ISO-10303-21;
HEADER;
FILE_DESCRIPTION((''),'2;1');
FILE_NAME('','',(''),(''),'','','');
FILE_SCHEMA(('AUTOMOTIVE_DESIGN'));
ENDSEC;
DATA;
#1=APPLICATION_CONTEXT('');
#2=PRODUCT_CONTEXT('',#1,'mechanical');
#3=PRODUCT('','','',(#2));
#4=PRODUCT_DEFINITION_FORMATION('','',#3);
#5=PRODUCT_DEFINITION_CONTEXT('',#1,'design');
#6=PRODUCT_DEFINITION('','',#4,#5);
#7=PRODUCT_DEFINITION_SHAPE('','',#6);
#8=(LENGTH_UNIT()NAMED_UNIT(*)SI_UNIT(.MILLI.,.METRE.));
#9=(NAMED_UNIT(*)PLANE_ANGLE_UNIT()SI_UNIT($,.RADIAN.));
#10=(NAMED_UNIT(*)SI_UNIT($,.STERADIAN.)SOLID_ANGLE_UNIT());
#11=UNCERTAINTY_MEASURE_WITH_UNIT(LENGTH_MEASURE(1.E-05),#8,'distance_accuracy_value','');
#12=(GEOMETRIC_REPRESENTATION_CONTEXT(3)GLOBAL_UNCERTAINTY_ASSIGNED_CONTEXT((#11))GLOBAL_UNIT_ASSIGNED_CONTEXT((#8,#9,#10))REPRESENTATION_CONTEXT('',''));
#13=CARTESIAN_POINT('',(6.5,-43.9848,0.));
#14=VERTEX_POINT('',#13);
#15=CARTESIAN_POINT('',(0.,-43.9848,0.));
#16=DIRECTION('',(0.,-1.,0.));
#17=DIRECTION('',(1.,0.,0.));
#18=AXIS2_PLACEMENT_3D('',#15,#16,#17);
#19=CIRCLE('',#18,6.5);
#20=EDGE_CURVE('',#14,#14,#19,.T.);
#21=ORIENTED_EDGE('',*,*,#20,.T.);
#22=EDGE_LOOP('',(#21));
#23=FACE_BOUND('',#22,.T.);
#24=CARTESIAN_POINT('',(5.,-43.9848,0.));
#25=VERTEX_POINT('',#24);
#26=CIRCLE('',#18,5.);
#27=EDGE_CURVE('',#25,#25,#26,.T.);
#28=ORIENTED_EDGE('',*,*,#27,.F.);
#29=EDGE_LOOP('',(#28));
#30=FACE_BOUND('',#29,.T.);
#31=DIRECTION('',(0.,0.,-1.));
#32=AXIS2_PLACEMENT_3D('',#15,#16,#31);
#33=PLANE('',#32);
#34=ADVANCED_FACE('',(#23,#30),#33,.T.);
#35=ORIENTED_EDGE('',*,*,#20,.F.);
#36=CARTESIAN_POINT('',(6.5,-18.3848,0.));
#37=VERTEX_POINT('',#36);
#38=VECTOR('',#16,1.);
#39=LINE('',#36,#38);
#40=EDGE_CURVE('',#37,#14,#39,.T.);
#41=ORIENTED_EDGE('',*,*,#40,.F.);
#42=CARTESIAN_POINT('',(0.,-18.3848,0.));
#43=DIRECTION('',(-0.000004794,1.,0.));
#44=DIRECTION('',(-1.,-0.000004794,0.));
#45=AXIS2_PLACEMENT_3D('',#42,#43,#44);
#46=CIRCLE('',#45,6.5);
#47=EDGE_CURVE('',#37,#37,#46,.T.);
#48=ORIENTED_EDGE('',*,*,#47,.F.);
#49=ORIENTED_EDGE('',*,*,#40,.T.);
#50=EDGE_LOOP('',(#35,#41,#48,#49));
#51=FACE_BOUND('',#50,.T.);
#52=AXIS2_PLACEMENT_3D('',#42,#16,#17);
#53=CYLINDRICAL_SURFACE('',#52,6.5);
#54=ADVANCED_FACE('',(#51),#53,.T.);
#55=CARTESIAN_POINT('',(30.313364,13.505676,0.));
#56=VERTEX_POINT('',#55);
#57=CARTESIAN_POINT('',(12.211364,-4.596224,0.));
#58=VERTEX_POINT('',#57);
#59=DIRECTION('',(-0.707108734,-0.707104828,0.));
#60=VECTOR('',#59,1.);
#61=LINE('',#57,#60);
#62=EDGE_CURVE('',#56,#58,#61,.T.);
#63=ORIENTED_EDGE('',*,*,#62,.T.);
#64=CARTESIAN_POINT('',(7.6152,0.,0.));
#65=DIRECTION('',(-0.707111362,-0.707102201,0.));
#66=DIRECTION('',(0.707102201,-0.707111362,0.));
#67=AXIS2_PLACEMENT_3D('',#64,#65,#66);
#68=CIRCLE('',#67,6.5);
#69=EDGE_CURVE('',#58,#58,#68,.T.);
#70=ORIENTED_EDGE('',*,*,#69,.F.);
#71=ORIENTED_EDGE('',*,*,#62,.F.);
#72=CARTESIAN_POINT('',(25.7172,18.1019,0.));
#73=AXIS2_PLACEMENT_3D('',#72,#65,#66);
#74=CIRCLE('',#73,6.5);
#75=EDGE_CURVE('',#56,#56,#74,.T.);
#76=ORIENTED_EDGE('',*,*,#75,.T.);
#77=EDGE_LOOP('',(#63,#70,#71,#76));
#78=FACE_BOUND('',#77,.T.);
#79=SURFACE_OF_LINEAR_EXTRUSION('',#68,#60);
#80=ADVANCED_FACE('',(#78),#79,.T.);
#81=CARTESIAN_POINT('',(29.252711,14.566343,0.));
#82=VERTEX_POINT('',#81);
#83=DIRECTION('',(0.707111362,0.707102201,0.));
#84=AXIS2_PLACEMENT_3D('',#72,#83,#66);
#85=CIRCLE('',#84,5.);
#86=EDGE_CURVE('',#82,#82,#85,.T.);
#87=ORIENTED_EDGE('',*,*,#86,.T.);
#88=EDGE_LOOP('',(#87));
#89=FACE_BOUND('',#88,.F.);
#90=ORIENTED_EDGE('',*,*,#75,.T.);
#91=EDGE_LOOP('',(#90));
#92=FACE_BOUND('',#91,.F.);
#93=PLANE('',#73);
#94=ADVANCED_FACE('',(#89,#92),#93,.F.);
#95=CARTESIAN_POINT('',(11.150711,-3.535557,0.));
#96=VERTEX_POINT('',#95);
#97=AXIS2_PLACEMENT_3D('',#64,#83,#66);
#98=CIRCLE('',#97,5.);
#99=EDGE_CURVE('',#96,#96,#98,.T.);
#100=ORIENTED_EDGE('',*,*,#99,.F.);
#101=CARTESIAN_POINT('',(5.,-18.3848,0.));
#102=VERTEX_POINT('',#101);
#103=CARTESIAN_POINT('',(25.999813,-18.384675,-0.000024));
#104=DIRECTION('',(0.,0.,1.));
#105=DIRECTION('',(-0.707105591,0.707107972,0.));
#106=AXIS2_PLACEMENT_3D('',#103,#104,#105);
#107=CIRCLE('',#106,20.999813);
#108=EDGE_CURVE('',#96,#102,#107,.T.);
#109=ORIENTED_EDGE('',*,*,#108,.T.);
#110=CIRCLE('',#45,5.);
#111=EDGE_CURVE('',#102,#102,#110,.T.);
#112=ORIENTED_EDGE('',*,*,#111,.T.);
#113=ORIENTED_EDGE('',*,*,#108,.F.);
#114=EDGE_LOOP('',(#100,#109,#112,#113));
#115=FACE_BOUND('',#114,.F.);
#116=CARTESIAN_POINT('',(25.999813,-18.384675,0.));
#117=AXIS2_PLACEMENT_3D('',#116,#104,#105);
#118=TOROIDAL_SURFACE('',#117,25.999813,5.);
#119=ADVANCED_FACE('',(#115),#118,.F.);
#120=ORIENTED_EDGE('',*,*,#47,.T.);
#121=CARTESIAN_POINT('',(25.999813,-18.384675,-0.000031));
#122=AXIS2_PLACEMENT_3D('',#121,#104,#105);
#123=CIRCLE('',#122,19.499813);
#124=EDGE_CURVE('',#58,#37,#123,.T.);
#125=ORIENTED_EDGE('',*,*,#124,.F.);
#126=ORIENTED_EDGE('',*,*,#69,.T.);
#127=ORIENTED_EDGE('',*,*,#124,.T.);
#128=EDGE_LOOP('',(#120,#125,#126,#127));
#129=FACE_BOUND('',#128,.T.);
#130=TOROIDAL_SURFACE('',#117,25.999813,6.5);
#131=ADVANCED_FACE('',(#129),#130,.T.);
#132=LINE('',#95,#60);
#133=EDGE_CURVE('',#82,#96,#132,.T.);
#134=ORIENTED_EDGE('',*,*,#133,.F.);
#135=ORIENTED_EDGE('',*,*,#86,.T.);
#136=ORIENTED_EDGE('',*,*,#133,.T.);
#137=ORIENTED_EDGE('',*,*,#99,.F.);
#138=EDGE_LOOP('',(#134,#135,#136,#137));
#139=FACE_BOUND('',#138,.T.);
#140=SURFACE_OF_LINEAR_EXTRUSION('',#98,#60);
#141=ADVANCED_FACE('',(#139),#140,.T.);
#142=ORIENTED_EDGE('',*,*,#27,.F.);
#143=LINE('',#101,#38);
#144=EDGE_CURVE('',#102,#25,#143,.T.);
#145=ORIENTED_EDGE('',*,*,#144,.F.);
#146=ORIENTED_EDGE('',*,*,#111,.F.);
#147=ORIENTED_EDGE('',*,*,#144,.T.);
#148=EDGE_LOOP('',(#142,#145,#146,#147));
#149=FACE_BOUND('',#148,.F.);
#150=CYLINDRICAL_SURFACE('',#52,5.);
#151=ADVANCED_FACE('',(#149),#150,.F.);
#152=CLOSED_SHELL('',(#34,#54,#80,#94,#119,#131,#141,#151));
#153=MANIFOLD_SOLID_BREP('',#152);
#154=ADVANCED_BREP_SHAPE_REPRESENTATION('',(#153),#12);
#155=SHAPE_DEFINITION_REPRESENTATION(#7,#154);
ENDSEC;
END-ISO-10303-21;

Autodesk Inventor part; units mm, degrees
ref_plane "YZ Plane" through (0, 0, 0) normal (1, 0, 0) x (0, 1, 0)
ref_plane "XZ Plane" through (0, 0, 0) normal (0, 1, 0) x (-1, 0, 0)
sketch "Szkic6" plane through (0, 0, 0) normal (0, 0, 1) x (1, 0, 0)
  line L0 (-29.6067, 0) -> (35.2678, 0) construction
  line L1 (0, 42.3419) -> (0, -58.3726) construction
  arc A0 (7.6152, 0) -> (0, -18.3848) centre (26, -18.3848) ccw
  line L2 (0, -18.3848) -> (26, -18.3848) construction
  line L3 (26, -18.3848) -> (-20.3389, 27.9541) construction
  line L4 (7.6152, 0) -> (25.7172, 18.1019)
  line L5 (0, -18.3848) -> (0, -43.9848)
  point P0 (0, 0)
  dimension "d24" = 100
  dimension "d31" = 45
  dimension "d36" = 0
  dimension "d37" = 0
ref_plane "Płaszczyzna konstrukcyjna2" through (0, -18.3848, 0) normal (0, -1, 0) x (1, 0, 0)
sketch "Szkic8" plane through (0, -18.3848, 0) normal (0, -1, 0) x (1, 0, 0)
  circle A0 centre (0, 0) radius 6.5
  circle A1 centre (0, 0) radius 5
  dimension "d32" = 104
  dimension "d33" = 2
sweep "Przeciągnięcie2" add profiles "Szkic8" path "Szkic6"
equation "\"d32\" = OD"
equation "\"d33\" = THK"
equation "\"d24\" = R"
equation "\"d31\" = KAT"
equation "\"SzerokośćGięciaPodcięcia\" = Grubość"
equation "\"RozmiarPodcięciaNarożnika\" = 4 * Grubość"
equation "\"PromieńPrzejścia\" = PromieńGięcia"
equation "\"Rozmiar_promienia_Jacobiego\" = PromieńGięcia"
equation "\"Wielk_odstępu\" = Grubość"
equation "\"d2\" = PromieńGięcia"
equation "\"d23\" = PromieńGięcia"
equation "\"OD\" = 104"
equation "\"THK\" = 2"
equation "\"KAT\" = 45deg"
equation "\"PROSTKA\" = 0"
equation "\"R\" = 100"
equation "\"Grubość\" = 1.5"
equation "\"PromieńGięcia\" = 3"
properties part number "Kolano 45° ø104x2 R100" material "304L"
